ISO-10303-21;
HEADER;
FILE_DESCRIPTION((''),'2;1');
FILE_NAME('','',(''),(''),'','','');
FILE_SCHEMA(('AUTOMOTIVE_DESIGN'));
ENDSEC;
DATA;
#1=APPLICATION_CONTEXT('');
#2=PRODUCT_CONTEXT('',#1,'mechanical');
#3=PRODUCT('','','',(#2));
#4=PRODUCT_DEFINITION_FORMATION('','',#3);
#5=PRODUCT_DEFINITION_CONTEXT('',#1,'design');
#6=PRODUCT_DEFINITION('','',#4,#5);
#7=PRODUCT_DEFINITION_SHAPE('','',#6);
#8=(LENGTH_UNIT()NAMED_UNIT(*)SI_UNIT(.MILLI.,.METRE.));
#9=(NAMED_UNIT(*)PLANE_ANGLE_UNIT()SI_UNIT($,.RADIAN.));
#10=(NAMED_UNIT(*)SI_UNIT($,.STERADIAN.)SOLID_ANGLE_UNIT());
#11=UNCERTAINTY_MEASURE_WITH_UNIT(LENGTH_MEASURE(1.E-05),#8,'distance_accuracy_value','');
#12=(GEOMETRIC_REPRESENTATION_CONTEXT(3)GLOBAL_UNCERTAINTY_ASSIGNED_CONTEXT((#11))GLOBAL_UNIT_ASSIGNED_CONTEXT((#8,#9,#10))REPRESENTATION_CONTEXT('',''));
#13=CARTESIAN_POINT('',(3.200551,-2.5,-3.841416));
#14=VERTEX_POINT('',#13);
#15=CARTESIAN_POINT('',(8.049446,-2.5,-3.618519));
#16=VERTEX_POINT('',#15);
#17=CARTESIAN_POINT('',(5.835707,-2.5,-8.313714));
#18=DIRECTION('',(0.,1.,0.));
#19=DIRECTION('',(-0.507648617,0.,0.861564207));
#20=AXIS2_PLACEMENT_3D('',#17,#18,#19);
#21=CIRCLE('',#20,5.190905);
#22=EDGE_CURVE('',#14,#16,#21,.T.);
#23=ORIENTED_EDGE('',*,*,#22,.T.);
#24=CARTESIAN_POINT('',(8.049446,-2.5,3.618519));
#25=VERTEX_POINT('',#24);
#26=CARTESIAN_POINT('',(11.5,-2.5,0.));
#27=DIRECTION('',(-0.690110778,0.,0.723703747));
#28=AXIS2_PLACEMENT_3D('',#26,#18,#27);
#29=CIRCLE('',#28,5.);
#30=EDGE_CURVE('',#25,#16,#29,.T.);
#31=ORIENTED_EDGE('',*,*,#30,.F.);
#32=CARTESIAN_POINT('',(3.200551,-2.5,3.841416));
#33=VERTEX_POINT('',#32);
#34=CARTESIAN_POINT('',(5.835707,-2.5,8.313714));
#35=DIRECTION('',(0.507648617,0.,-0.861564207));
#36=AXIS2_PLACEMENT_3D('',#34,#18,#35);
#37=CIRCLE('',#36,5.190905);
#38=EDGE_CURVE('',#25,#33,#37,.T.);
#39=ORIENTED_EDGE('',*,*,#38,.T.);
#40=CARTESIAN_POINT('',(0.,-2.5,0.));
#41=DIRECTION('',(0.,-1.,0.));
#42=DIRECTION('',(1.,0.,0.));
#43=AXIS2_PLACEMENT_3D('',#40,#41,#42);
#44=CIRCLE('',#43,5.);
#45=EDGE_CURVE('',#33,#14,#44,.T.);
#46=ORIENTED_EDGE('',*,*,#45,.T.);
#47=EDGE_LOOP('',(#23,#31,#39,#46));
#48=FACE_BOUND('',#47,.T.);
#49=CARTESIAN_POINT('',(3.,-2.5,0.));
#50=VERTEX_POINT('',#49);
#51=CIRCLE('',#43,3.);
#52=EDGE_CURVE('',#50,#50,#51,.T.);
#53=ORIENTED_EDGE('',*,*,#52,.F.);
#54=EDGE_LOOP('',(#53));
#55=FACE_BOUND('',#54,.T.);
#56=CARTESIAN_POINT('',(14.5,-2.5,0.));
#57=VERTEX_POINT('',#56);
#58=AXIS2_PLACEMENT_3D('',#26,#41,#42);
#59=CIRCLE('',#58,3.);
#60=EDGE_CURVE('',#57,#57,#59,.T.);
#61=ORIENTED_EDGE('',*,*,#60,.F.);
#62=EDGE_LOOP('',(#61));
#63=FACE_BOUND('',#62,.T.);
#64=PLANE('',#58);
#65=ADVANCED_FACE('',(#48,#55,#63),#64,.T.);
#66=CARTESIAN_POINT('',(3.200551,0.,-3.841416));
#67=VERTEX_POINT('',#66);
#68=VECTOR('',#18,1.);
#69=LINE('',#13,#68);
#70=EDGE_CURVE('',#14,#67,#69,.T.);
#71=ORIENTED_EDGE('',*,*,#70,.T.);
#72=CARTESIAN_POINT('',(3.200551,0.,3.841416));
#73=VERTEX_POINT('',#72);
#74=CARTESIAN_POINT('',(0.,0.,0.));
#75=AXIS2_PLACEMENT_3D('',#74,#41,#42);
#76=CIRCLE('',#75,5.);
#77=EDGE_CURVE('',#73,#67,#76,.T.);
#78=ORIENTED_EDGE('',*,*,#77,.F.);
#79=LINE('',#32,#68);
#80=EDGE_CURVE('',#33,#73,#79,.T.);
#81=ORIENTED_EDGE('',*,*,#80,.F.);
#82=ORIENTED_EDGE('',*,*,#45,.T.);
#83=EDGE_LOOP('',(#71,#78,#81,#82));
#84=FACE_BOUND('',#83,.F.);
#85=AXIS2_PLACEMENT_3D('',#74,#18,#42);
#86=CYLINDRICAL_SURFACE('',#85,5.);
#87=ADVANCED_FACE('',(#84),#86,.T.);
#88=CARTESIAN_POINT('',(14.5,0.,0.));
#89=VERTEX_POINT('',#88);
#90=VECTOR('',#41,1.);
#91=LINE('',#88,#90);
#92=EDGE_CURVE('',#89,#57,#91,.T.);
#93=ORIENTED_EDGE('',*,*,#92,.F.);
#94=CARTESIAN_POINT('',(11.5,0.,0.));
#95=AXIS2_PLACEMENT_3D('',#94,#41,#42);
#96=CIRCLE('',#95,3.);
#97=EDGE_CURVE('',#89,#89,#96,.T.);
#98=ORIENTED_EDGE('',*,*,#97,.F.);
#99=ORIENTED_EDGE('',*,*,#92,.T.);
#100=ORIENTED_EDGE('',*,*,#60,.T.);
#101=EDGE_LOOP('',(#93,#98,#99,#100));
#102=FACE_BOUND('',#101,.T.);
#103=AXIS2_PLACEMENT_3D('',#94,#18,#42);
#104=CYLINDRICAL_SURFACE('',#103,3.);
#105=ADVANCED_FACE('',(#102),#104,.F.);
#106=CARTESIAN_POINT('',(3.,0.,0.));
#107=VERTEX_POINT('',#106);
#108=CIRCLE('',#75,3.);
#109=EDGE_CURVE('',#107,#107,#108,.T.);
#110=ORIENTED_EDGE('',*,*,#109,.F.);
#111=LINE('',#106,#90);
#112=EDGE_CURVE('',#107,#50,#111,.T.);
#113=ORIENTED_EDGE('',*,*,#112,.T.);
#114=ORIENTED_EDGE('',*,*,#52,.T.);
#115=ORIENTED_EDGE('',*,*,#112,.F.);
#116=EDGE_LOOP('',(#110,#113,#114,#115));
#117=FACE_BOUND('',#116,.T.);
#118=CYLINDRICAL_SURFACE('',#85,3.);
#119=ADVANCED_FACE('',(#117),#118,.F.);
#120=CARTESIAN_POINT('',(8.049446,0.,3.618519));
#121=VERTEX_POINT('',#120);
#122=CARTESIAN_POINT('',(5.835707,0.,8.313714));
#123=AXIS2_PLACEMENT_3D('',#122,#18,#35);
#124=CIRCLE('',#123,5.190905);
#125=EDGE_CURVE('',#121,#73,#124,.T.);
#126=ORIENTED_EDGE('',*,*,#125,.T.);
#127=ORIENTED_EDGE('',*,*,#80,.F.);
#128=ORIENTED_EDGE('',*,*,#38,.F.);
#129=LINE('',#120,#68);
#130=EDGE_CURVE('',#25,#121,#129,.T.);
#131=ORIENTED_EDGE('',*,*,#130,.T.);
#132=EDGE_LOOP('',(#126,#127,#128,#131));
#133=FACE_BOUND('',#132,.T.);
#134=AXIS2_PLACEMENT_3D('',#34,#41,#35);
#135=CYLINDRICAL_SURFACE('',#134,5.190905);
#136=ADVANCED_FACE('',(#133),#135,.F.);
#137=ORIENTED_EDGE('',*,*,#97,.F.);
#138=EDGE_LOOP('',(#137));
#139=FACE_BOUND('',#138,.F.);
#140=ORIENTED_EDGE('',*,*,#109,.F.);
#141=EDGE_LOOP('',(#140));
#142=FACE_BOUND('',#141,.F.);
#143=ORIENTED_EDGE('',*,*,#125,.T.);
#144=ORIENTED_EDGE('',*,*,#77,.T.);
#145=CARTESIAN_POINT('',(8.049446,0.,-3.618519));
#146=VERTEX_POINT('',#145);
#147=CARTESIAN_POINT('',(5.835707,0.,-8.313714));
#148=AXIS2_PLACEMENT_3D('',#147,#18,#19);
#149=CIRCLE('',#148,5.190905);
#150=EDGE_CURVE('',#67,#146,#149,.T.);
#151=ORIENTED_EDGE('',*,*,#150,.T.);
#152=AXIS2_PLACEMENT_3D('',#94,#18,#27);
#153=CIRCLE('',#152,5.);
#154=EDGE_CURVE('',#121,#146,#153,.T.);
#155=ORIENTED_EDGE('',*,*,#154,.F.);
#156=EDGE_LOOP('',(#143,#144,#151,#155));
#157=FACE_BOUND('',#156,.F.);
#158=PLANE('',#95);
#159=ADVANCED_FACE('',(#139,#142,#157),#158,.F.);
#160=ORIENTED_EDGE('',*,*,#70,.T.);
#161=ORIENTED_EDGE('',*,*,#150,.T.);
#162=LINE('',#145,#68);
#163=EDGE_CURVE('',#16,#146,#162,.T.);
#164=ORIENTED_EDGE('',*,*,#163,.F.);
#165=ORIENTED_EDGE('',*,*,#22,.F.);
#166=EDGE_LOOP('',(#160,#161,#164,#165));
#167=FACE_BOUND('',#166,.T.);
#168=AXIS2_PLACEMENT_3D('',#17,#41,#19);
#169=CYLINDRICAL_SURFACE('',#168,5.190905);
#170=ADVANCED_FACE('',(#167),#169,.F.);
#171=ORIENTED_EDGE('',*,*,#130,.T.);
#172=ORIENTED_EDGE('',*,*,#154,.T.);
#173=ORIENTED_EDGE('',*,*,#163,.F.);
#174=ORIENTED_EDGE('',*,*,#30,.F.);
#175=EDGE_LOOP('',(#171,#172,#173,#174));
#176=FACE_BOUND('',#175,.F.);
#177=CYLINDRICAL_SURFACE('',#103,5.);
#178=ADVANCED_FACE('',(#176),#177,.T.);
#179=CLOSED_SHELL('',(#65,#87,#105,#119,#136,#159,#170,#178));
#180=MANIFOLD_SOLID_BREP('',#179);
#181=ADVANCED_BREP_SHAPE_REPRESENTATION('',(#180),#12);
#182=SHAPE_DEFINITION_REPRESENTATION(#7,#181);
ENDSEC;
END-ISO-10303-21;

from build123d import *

# Parameters (mm, degrees)
F0_R     = 5
F0_R_2   = 3
F1_DEPTH = 2.5
F2_R     = 5
F2_R_2   = 3
F3_DEPTH = 2.5
F5_DEPTH = 2.5


with BuildPart() as f1:
    # F0 (on Front) → F1 (new body)
    with BuildSketch(Plane.XZ):
        Circle(F0_R)
        Circle(F0_R_2, mode=Mode.SUBTRACT)
    extrude(amount=F1_DEPTH)



with BuildPart() as f3:
    # F2 (on Front) → F3 (new body)
    with BuildSketch(Plane.XZ):
        with Locations((11.5, 0)):
            Circle(F2_R)
        with Locations((11.5, 0)):
            Circle(F2_R_2, mode=Mode.SUBTRACT)
    extrude(amount=F3_DEPTH)


with BuildPart() as f1_1:
    add(f1.part)

    add(f3.part)  # F5 merges F3
    # F4 (on face) → F5 (join)
    with BuildSketch(Plane.XZ.offset(2.5)):
        with BuildLine():
            ThreePointArc((8.4708627887, 3.8414155761), (5.8357068684, 3.1228084753), (3.2005509482, 3.8414155761))
            ThreePointArc((3.2005509482, 3.8414155761), (5, 0), (3.2005509482, -3.8414155761))
            ThreePointArc((3.2005509482, -3.8414155761), (5.8357068684, -3.1228084753), (8.4708627887, -3.8414155761))
            ThreePointArc((8.4708627887, -3.8414155761), (6.6079507491, 0), (8.4708627887, 3.8414155761))
        make_face()
    extrude(amount=-F5_DEPTH)


solid = f1_1.part
